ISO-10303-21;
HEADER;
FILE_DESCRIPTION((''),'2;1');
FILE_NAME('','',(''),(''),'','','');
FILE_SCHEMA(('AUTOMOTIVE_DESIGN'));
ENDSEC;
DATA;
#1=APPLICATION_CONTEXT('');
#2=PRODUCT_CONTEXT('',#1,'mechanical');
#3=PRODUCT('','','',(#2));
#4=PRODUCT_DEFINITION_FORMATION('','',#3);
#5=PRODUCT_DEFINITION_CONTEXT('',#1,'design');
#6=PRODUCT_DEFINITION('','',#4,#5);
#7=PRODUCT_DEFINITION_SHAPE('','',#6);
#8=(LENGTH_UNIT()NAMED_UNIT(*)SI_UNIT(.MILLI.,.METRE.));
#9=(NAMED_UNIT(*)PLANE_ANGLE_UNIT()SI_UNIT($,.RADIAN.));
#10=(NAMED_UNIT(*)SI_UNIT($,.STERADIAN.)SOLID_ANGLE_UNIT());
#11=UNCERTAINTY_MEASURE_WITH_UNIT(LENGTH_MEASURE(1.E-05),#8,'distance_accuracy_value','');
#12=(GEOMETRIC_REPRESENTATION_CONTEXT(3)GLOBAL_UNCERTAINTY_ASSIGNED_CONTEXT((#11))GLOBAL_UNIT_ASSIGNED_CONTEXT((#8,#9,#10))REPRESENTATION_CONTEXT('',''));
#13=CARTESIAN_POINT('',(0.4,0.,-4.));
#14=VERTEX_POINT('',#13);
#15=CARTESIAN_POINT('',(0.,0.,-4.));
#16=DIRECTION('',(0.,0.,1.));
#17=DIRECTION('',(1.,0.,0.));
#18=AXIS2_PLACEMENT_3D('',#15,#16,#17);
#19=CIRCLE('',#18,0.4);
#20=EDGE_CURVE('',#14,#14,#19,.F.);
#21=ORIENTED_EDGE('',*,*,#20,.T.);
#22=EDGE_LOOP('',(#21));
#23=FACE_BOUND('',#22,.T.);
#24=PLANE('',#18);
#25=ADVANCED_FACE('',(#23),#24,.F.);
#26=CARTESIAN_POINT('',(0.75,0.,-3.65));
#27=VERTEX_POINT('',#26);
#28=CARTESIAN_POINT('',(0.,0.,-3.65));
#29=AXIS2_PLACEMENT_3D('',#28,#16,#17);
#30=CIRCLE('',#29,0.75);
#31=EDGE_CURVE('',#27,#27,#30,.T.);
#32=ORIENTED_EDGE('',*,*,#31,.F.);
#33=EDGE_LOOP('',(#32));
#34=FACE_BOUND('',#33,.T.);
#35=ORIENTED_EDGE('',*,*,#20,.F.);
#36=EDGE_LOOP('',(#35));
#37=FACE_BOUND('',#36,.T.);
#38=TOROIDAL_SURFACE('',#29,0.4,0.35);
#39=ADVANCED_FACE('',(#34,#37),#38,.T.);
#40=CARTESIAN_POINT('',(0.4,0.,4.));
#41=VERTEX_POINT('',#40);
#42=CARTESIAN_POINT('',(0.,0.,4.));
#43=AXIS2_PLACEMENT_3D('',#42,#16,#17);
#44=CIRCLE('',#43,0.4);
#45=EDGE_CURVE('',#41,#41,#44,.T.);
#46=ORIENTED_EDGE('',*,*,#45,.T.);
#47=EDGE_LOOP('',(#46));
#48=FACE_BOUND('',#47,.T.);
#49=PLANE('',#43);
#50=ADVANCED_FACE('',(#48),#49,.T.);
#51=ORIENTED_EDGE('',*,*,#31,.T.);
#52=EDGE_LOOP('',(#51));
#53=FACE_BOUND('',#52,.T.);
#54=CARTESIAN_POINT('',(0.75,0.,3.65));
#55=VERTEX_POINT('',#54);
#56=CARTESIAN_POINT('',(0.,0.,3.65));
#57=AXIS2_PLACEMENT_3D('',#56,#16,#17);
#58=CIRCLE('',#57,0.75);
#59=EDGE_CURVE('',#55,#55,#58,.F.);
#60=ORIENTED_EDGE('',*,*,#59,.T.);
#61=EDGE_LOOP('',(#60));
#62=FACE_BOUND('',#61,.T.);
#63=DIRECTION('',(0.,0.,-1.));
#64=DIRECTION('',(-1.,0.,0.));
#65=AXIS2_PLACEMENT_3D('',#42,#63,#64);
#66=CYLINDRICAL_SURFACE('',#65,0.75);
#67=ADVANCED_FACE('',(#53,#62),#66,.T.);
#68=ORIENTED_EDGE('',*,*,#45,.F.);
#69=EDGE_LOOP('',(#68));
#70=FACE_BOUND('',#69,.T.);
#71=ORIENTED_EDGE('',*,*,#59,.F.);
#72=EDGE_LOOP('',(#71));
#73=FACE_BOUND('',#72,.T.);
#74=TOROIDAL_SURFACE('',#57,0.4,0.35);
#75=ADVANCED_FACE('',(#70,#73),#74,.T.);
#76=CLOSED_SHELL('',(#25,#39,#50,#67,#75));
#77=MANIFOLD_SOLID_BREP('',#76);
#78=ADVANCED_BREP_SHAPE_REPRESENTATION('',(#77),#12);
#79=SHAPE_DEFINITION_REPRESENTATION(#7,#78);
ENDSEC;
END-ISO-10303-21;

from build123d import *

# Parameters (mm, degrees)
SKETCH1_R           = 0.75
BOSS_EXTRUDE1_DEPTH = 4
FILLET1_R           = 0.35


with BuildPart() as part:
    # Sketch1 → Boss-Extrude1 (new body, symmetric)
    with BuildSketch(Plane.XY):
        Circle(SKETCH1_R)
    extrude(amount=BOSS_EXTRUDE1_DEPTH, both=True)

    # Fillet1
    fillet1_edges = [part.edges().sort_by_distance(p)[0] for p in [
        (-0.75, 0, -4),
        (-0.75, 0, 4),
    ]]
    fillet(fillet1_edges, radius=FILLET1_R)


solid = part.part
